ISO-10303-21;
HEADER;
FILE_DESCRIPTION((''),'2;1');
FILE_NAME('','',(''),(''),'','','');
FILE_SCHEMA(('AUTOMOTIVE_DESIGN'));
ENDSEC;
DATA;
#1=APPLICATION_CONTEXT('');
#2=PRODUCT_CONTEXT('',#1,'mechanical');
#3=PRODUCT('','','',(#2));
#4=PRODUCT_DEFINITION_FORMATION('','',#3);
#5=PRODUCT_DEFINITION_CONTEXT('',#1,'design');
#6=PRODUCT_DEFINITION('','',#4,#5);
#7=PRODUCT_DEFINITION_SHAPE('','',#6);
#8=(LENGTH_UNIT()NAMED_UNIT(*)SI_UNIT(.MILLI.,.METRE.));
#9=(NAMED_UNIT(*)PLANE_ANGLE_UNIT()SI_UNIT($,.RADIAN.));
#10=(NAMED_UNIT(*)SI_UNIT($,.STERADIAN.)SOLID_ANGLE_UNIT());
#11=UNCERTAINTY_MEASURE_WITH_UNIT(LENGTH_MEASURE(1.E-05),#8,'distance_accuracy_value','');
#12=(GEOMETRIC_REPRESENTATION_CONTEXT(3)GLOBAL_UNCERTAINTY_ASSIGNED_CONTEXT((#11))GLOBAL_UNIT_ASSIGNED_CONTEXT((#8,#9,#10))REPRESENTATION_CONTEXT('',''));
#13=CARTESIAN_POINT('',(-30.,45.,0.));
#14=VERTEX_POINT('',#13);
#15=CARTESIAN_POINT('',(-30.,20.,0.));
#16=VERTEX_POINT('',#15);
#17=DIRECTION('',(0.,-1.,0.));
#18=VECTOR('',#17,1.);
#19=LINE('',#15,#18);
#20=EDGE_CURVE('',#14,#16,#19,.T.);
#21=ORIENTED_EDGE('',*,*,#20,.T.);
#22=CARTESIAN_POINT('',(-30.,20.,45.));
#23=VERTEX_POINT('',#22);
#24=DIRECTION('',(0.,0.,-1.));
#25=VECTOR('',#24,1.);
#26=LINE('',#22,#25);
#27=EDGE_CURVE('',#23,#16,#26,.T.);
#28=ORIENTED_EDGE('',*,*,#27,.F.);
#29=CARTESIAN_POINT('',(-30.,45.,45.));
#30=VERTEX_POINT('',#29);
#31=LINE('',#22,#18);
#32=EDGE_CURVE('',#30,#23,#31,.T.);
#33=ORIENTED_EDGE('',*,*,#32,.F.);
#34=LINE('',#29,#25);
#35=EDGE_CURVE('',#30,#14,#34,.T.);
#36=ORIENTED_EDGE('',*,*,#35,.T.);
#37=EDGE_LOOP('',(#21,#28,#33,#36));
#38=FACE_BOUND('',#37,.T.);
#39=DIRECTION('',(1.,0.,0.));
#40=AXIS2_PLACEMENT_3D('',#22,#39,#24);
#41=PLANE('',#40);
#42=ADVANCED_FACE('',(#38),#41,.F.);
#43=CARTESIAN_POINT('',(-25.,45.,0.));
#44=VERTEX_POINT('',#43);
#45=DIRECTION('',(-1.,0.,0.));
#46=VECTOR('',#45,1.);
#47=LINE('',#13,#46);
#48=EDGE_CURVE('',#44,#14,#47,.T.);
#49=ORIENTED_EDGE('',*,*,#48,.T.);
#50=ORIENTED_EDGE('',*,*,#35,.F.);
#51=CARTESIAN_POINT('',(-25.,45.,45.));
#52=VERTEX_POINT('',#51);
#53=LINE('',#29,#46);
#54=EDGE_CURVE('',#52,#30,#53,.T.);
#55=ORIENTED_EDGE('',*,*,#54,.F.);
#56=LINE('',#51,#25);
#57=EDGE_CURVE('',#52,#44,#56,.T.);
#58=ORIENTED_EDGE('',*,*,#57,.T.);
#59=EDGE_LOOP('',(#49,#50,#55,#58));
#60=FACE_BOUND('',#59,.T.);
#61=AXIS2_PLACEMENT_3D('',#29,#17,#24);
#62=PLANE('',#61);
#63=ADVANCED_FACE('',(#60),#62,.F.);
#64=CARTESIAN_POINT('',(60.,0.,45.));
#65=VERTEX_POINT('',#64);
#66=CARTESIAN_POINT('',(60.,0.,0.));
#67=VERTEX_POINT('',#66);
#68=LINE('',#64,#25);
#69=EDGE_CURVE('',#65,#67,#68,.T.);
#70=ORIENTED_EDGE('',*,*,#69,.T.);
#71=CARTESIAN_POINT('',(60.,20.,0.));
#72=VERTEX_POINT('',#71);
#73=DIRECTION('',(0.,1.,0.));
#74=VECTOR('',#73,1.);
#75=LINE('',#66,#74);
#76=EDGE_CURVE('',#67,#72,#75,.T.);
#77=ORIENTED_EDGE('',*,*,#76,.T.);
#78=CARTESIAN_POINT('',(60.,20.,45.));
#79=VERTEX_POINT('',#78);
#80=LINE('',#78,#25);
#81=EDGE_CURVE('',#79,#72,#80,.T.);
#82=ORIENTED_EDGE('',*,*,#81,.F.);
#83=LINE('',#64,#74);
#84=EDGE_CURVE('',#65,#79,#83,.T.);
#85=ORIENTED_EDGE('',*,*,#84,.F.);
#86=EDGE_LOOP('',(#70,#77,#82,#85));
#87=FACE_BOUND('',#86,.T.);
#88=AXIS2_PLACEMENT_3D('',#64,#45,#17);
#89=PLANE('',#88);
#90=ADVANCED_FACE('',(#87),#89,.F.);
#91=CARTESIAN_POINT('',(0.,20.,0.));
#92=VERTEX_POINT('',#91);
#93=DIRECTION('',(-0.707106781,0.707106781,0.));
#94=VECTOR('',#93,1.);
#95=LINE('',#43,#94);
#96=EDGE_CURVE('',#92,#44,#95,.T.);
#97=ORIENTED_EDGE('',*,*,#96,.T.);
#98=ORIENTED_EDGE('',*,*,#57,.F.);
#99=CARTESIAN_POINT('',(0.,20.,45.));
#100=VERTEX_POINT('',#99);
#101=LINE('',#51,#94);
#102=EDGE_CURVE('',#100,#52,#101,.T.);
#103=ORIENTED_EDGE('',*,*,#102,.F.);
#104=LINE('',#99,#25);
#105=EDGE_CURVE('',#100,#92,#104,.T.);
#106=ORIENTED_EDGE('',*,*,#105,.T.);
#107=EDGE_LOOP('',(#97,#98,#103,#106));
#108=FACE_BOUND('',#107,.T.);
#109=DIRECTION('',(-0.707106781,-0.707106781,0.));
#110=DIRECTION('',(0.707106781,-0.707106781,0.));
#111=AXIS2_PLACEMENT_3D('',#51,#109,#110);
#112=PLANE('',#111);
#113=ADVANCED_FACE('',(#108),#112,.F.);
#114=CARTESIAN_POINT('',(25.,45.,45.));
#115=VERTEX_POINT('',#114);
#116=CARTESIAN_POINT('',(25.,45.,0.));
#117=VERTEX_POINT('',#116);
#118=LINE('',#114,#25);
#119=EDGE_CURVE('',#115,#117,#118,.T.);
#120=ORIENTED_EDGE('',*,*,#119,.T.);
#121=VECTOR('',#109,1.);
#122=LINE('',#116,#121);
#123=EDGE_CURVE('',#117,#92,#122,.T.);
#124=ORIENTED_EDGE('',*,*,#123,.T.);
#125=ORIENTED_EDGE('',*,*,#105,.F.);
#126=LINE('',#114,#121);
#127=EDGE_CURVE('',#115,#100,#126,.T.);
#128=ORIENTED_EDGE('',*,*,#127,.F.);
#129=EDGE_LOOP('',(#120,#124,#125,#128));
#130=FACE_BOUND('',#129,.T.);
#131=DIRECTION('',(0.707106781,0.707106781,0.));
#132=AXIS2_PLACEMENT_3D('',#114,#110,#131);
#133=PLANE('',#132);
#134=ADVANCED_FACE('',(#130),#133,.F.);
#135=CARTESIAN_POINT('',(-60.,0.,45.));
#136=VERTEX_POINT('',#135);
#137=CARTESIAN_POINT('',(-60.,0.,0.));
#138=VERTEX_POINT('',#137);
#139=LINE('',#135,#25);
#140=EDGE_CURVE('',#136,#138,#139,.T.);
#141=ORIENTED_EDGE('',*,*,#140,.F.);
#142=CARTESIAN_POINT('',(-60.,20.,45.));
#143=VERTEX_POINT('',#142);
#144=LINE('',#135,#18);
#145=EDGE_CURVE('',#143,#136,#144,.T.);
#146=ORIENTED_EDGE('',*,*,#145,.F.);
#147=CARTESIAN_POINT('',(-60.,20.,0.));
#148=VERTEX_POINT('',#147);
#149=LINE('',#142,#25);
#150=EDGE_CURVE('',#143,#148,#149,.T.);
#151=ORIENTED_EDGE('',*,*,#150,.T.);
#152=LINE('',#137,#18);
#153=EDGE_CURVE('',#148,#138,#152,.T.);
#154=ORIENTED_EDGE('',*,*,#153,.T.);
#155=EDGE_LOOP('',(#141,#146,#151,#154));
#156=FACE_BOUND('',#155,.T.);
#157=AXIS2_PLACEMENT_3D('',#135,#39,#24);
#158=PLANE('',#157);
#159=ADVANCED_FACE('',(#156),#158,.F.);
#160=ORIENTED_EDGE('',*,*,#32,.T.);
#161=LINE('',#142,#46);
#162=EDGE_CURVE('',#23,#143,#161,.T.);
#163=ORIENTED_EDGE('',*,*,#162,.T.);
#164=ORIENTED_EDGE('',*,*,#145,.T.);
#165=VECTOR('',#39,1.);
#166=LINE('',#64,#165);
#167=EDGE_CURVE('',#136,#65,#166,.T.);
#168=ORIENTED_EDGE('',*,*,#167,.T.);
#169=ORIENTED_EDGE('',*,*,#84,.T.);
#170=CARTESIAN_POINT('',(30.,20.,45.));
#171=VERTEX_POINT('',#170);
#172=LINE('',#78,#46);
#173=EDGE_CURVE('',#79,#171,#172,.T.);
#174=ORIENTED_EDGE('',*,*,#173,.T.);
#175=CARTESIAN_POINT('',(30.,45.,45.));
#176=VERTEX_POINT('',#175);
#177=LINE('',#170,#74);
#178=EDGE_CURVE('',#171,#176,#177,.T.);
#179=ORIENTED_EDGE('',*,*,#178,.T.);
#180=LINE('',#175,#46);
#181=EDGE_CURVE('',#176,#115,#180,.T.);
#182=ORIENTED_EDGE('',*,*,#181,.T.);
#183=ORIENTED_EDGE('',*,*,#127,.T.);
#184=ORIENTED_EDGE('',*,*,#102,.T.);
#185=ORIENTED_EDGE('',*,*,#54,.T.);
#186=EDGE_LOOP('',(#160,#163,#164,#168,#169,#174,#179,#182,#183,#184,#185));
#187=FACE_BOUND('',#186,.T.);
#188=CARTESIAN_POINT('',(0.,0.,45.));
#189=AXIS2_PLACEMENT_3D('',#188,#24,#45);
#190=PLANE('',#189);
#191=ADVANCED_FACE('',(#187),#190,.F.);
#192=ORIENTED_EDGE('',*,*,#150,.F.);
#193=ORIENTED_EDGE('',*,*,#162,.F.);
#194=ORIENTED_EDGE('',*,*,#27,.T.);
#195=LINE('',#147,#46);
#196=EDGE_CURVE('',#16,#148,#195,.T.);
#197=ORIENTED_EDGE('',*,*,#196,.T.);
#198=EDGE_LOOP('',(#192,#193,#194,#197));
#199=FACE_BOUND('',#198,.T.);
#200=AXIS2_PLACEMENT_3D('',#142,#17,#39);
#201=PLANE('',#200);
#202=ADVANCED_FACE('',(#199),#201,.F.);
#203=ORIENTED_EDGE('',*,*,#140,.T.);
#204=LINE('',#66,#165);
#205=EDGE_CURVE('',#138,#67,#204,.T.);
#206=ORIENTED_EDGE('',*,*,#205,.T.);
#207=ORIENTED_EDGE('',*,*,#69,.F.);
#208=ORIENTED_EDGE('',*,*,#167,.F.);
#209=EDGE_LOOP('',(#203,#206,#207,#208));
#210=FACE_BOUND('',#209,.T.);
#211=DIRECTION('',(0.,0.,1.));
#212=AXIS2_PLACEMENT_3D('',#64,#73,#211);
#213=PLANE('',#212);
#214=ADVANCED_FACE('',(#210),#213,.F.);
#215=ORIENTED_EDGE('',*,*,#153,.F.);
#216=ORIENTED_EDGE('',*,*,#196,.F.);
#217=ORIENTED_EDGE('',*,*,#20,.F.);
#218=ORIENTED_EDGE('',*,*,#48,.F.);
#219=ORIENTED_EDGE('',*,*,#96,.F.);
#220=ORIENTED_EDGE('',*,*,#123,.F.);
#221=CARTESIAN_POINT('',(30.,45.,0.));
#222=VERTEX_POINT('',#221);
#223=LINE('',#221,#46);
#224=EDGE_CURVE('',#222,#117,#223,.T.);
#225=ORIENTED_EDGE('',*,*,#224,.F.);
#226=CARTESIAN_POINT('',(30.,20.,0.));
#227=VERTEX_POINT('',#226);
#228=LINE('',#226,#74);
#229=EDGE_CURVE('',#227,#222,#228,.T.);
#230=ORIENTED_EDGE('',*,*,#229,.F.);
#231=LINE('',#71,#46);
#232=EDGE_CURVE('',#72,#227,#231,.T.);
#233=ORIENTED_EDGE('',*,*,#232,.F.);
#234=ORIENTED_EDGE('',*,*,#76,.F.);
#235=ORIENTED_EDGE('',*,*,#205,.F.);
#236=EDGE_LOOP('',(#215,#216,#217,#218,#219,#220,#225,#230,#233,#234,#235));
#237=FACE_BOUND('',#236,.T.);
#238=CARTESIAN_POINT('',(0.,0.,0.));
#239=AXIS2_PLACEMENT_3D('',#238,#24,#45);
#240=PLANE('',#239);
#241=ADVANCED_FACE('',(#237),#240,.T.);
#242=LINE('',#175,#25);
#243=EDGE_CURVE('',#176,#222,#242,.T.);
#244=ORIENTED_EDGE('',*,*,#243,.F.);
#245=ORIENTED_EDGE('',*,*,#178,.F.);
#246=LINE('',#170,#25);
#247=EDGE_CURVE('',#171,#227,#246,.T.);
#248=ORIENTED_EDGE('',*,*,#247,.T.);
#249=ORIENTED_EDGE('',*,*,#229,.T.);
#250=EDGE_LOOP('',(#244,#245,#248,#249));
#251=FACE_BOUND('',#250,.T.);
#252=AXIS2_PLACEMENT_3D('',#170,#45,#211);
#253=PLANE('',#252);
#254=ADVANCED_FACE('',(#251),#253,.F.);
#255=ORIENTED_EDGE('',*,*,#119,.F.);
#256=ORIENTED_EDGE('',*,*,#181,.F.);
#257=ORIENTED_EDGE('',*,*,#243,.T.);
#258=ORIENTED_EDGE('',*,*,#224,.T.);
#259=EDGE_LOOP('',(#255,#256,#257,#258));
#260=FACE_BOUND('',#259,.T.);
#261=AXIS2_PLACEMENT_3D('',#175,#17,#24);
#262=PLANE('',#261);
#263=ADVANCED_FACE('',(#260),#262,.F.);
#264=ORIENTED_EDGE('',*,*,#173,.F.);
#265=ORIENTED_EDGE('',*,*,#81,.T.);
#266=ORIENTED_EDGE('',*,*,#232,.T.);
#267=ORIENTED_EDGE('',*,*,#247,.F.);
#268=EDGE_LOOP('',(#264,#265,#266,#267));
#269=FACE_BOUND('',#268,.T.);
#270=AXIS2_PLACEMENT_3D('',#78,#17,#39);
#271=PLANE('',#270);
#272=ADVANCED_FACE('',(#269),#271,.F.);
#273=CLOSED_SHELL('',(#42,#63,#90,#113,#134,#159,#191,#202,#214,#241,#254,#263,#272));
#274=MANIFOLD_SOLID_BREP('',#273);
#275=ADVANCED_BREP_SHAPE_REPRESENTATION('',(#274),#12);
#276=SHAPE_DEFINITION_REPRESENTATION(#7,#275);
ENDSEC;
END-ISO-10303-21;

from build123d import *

# Parameters (mm, degrees)
BOSS_EXTRUDE1_DEPTH = 45


with BuildPart() as part:
    # Sketch1 → Boss-Extrude1 (new body)
    with BuildSketch(Plane.XY):
        Polygon((60, 0), (-60, 0), (-60, 20), (-30, 20), (-30, 45), (-25, 45), (0, 20), (25, 45), (30, 45), (30, 20), (60, 20), align=None)
    extrude(amount=BOSS_EXTRUDE1_DEPTH)


solid = part.part
